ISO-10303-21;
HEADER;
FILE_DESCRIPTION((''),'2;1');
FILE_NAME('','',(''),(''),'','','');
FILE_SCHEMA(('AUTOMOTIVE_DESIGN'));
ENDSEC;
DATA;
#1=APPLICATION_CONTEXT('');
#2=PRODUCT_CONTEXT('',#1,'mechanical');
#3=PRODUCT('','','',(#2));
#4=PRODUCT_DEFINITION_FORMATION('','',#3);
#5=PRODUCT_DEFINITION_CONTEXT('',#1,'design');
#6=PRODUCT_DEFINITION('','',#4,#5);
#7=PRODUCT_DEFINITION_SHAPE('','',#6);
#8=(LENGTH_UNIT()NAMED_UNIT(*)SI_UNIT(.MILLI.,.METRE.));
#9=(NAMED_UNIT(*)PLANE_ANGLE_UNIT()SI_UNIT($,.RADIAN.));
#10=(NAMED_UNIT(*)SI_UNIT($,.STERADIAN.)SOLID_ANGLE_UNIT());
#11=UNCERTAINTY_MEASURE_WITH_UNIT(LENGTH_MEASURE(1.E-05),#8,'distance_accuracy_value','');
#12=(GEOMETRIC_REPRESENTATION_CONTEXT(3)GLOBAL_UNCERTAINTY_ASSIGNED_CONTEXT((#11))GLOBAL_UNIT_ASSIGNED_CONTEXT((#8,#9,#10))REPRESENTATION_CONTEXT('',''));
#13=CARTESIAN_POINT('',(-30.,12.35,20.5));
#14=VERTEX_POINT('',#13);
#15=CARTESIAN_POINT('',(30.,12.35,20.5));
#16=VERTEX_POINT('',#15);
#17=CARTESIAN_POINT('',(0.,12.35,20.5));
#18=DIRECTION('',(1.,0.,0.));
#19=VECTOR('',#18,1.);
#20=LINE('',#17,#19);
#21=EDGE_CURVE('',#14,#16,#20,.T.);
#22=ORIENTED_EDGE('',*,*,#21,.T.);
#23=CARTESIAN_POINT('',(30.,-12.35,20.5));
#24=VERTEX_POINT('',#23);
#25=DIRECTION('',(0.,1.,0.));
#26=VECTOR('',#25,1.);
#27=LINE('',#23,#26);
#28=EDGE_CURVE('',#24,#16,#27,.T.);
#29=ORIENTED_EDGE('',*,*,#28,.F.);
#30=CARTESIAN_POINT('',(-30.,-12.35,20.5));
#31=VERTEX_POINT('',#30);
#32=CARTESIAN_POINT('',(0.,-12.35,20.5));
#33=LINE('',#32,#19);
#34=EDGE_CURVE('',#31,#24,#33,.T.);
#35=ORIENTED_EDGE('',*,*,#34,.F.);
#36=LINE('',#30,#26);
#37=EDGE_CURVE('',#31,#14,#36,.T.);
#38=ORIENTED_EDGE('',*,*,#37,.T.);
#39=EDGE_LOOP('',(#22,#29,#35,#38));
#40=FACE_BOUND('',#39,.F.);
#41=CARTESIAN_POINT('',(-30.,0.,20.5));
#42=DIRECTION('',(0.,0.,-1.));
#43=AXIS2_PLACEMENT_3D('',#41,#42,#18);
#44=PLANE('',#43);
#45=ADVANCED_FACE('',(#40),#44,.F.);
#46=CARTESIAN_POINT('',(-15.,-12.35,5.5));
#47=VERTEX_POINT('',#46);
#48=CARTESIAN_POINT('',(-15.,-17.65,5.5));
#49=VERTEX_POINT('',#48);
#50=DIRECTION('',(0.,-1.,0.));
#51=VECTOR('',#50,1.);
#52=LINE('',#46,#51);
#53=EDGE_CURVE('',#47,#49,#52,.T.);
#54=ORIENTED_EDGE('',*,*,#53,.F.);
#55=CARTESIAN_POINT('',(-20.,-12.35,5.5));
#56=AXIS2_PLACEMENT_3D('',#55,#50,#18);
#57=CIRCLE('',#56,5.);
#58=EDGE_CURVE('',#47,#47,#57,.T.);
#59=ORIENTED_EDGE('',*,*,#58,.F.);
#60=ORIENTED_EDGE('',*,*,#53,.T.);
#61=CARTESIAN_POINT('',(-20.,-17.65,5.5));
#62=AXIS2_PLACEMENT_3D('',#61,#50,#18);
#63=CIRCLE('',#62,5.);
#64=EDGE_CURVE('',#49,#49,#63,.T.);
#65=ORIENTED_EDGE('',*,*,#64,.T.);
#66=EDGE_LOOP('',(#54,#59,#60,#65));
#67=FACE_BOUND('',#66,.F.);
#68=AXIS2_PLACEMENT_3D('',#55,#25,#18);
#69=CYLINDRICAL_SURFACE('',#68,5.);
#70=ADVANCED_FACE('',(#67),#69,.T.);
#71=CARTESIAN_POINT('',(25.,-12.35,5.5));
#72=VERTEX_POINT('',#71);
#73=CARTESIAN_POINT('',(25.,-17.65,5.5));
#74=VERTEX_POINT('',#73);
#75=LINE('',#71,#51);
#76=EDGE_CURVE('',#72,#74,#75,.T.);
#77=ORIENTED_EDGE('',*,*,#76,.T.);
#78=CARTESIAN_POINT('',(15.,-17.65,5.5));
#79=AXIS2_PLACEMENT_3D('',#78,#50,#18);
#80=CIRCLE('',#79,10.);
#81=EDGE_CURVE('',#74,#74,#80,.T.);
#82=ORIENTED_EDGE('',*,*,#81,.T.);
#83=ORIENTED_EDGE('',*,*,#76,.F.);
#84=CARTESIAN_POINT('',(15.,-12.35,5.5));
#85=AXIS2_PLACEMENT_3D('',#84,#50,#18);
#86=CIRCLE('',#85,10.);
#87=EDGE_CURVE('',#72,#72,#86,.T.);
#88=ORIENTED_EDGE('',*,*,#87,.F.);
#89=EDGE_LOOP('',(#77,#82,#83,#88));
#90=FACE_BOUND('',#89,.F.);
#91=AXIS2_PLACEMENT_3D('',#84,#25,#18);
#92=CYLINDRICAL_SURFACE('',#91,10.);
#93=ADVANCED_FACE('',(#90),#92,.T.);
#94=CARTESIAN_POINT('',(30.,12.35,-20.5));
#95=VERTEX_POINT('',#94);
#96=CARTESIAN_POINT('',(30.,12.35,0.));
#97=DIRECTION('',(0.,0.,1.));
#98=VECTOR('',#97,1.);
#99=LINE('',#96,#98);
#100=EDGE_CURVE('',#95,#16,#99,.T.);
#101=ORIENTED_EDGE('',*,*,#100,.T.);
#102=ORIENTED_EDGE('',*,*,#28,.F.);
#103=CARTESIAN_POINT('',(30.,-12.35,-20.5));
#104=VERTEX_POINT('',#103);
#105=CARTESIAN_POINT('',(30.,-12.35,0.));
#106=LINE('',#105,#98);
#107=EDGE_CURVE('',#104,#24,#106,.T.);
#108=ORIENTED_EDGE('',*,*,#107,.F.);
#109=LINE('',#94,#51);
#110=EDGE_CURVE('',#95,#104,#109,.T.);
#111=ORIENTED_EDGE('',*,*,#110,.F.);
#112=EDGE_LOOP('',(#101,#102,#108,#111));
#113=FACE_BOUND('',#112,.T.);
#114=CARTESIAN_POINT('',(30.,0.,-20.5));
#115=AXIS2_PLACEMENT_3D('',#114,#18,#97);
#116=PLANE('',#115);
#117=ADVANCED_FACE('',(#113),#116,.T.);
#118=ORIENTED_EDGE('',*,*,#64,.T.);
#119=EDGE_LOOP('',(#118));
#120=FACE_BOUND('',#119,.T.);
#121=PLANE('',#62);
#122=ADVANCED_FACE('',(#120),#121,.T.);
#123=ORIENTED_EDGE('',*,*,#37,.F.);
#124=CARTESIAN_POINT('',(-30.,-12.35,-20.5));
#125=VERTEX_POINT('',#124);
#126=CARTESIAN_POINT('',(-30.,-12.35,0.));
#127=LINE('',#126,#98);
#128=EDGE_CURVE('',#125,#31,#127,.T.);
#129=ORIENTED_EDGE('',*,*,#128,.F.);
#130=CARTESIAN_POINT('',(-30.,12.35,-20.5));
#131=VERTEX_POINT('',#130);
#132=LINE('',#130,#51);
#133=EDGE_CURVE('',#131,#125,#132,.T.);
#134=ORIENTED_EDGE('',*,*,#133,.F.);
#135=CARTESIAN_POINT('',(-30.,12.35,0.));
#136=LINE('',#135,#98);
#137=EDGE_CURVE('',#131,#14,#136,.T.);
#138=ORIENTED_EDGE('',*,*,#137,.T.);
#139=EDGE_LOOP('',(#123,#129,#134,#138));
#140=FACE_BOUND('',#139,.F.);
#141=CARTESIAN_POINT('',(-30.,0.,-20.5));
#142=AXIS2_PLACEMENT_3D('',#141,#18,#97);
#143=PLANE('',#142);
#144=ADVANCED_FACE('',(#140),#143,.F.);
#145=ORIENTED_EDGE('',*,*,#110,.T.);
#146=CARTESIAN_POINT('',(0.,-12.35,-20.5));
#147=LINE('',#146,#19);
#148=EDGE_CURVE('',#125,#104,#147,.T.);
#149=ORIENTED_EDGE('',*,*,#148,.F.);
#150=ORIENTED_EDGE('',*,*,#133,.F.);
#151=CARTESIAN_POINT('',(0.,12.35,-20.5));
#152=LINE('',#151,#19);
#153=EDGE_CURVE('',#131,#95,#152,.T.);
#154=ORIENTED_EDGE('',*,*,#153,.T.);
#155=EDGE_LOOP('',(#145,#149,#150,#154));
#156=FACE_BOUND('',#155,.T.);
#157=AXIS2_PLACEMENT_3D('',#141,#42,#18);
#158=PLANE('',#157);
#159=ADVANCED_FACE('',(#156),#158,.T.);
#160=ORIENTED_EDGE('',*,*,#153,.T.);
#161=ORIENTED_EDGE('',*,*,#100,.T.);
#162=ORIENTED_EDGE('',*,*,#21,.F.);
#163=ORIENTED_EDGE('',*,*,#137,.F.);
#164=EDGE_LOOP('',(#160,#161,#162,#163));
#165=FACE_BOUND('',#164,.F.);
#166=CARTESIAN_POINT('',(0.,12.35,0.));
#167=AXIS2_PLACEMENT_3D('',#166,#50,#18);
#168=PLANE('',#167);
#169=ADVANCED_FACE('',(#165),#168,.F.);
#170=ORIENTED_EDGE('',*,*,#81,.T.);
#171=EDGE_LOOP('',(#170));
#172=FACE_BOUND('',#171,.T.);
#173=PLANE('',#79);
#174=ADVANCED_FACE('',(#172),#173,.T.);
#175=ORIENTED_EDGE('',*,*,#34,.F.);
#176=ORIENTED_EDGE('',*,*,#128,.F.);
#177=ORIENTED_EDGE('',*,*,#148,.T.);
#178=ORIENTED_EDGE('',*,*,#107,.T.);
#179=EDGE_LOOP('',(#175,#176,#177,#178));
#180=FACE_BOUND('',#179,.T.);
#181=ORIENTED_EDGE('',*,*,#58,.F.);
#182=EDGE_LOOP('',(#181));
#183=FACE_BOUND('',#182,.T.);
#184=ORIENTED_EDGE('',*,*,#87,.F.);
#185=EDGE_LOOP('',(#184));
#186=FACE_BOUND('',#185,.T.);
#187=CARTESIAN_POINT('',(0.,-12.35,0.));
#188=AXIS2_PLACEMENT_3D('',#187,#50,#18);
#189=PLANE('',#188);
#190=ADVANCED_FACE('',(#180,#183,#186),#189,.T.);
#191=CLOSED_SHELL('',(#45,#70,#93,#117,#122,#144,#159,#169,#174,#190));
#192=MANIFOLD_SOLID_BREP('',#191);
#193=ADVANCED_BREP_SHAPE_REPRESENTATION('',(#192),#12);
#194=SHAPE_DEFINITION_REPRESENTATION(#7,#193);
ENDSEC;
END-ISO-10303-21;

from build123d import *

# Parameters (mm, degrees)
F0_W     = 60
F0_H     = 41
F1_DEPTH = 12.35
F2_R     = 10
F2_R_2   = 5
F3_DEPTH = 5.3


with BuildPart() as f1:
    # F0 (on Front) → F1 (new body, symmetric)
    with BuildSketch(Plane.XZ):
        Rectangle(F0_W, F0_H)
    extrude(amount=F1_DEPTH, both=True)

    # F2 (on face) → F3 (join)
    with BuildSketch(Plane.XZ.offset(12.35)):
        with Locations((15, 5.5)):
            Circle(F2_R)
        with Locations((-20, 5.5)):
            Circle(F2_R_2)
    extrude(amount=F3_DEPTH)


solid = f1.part
